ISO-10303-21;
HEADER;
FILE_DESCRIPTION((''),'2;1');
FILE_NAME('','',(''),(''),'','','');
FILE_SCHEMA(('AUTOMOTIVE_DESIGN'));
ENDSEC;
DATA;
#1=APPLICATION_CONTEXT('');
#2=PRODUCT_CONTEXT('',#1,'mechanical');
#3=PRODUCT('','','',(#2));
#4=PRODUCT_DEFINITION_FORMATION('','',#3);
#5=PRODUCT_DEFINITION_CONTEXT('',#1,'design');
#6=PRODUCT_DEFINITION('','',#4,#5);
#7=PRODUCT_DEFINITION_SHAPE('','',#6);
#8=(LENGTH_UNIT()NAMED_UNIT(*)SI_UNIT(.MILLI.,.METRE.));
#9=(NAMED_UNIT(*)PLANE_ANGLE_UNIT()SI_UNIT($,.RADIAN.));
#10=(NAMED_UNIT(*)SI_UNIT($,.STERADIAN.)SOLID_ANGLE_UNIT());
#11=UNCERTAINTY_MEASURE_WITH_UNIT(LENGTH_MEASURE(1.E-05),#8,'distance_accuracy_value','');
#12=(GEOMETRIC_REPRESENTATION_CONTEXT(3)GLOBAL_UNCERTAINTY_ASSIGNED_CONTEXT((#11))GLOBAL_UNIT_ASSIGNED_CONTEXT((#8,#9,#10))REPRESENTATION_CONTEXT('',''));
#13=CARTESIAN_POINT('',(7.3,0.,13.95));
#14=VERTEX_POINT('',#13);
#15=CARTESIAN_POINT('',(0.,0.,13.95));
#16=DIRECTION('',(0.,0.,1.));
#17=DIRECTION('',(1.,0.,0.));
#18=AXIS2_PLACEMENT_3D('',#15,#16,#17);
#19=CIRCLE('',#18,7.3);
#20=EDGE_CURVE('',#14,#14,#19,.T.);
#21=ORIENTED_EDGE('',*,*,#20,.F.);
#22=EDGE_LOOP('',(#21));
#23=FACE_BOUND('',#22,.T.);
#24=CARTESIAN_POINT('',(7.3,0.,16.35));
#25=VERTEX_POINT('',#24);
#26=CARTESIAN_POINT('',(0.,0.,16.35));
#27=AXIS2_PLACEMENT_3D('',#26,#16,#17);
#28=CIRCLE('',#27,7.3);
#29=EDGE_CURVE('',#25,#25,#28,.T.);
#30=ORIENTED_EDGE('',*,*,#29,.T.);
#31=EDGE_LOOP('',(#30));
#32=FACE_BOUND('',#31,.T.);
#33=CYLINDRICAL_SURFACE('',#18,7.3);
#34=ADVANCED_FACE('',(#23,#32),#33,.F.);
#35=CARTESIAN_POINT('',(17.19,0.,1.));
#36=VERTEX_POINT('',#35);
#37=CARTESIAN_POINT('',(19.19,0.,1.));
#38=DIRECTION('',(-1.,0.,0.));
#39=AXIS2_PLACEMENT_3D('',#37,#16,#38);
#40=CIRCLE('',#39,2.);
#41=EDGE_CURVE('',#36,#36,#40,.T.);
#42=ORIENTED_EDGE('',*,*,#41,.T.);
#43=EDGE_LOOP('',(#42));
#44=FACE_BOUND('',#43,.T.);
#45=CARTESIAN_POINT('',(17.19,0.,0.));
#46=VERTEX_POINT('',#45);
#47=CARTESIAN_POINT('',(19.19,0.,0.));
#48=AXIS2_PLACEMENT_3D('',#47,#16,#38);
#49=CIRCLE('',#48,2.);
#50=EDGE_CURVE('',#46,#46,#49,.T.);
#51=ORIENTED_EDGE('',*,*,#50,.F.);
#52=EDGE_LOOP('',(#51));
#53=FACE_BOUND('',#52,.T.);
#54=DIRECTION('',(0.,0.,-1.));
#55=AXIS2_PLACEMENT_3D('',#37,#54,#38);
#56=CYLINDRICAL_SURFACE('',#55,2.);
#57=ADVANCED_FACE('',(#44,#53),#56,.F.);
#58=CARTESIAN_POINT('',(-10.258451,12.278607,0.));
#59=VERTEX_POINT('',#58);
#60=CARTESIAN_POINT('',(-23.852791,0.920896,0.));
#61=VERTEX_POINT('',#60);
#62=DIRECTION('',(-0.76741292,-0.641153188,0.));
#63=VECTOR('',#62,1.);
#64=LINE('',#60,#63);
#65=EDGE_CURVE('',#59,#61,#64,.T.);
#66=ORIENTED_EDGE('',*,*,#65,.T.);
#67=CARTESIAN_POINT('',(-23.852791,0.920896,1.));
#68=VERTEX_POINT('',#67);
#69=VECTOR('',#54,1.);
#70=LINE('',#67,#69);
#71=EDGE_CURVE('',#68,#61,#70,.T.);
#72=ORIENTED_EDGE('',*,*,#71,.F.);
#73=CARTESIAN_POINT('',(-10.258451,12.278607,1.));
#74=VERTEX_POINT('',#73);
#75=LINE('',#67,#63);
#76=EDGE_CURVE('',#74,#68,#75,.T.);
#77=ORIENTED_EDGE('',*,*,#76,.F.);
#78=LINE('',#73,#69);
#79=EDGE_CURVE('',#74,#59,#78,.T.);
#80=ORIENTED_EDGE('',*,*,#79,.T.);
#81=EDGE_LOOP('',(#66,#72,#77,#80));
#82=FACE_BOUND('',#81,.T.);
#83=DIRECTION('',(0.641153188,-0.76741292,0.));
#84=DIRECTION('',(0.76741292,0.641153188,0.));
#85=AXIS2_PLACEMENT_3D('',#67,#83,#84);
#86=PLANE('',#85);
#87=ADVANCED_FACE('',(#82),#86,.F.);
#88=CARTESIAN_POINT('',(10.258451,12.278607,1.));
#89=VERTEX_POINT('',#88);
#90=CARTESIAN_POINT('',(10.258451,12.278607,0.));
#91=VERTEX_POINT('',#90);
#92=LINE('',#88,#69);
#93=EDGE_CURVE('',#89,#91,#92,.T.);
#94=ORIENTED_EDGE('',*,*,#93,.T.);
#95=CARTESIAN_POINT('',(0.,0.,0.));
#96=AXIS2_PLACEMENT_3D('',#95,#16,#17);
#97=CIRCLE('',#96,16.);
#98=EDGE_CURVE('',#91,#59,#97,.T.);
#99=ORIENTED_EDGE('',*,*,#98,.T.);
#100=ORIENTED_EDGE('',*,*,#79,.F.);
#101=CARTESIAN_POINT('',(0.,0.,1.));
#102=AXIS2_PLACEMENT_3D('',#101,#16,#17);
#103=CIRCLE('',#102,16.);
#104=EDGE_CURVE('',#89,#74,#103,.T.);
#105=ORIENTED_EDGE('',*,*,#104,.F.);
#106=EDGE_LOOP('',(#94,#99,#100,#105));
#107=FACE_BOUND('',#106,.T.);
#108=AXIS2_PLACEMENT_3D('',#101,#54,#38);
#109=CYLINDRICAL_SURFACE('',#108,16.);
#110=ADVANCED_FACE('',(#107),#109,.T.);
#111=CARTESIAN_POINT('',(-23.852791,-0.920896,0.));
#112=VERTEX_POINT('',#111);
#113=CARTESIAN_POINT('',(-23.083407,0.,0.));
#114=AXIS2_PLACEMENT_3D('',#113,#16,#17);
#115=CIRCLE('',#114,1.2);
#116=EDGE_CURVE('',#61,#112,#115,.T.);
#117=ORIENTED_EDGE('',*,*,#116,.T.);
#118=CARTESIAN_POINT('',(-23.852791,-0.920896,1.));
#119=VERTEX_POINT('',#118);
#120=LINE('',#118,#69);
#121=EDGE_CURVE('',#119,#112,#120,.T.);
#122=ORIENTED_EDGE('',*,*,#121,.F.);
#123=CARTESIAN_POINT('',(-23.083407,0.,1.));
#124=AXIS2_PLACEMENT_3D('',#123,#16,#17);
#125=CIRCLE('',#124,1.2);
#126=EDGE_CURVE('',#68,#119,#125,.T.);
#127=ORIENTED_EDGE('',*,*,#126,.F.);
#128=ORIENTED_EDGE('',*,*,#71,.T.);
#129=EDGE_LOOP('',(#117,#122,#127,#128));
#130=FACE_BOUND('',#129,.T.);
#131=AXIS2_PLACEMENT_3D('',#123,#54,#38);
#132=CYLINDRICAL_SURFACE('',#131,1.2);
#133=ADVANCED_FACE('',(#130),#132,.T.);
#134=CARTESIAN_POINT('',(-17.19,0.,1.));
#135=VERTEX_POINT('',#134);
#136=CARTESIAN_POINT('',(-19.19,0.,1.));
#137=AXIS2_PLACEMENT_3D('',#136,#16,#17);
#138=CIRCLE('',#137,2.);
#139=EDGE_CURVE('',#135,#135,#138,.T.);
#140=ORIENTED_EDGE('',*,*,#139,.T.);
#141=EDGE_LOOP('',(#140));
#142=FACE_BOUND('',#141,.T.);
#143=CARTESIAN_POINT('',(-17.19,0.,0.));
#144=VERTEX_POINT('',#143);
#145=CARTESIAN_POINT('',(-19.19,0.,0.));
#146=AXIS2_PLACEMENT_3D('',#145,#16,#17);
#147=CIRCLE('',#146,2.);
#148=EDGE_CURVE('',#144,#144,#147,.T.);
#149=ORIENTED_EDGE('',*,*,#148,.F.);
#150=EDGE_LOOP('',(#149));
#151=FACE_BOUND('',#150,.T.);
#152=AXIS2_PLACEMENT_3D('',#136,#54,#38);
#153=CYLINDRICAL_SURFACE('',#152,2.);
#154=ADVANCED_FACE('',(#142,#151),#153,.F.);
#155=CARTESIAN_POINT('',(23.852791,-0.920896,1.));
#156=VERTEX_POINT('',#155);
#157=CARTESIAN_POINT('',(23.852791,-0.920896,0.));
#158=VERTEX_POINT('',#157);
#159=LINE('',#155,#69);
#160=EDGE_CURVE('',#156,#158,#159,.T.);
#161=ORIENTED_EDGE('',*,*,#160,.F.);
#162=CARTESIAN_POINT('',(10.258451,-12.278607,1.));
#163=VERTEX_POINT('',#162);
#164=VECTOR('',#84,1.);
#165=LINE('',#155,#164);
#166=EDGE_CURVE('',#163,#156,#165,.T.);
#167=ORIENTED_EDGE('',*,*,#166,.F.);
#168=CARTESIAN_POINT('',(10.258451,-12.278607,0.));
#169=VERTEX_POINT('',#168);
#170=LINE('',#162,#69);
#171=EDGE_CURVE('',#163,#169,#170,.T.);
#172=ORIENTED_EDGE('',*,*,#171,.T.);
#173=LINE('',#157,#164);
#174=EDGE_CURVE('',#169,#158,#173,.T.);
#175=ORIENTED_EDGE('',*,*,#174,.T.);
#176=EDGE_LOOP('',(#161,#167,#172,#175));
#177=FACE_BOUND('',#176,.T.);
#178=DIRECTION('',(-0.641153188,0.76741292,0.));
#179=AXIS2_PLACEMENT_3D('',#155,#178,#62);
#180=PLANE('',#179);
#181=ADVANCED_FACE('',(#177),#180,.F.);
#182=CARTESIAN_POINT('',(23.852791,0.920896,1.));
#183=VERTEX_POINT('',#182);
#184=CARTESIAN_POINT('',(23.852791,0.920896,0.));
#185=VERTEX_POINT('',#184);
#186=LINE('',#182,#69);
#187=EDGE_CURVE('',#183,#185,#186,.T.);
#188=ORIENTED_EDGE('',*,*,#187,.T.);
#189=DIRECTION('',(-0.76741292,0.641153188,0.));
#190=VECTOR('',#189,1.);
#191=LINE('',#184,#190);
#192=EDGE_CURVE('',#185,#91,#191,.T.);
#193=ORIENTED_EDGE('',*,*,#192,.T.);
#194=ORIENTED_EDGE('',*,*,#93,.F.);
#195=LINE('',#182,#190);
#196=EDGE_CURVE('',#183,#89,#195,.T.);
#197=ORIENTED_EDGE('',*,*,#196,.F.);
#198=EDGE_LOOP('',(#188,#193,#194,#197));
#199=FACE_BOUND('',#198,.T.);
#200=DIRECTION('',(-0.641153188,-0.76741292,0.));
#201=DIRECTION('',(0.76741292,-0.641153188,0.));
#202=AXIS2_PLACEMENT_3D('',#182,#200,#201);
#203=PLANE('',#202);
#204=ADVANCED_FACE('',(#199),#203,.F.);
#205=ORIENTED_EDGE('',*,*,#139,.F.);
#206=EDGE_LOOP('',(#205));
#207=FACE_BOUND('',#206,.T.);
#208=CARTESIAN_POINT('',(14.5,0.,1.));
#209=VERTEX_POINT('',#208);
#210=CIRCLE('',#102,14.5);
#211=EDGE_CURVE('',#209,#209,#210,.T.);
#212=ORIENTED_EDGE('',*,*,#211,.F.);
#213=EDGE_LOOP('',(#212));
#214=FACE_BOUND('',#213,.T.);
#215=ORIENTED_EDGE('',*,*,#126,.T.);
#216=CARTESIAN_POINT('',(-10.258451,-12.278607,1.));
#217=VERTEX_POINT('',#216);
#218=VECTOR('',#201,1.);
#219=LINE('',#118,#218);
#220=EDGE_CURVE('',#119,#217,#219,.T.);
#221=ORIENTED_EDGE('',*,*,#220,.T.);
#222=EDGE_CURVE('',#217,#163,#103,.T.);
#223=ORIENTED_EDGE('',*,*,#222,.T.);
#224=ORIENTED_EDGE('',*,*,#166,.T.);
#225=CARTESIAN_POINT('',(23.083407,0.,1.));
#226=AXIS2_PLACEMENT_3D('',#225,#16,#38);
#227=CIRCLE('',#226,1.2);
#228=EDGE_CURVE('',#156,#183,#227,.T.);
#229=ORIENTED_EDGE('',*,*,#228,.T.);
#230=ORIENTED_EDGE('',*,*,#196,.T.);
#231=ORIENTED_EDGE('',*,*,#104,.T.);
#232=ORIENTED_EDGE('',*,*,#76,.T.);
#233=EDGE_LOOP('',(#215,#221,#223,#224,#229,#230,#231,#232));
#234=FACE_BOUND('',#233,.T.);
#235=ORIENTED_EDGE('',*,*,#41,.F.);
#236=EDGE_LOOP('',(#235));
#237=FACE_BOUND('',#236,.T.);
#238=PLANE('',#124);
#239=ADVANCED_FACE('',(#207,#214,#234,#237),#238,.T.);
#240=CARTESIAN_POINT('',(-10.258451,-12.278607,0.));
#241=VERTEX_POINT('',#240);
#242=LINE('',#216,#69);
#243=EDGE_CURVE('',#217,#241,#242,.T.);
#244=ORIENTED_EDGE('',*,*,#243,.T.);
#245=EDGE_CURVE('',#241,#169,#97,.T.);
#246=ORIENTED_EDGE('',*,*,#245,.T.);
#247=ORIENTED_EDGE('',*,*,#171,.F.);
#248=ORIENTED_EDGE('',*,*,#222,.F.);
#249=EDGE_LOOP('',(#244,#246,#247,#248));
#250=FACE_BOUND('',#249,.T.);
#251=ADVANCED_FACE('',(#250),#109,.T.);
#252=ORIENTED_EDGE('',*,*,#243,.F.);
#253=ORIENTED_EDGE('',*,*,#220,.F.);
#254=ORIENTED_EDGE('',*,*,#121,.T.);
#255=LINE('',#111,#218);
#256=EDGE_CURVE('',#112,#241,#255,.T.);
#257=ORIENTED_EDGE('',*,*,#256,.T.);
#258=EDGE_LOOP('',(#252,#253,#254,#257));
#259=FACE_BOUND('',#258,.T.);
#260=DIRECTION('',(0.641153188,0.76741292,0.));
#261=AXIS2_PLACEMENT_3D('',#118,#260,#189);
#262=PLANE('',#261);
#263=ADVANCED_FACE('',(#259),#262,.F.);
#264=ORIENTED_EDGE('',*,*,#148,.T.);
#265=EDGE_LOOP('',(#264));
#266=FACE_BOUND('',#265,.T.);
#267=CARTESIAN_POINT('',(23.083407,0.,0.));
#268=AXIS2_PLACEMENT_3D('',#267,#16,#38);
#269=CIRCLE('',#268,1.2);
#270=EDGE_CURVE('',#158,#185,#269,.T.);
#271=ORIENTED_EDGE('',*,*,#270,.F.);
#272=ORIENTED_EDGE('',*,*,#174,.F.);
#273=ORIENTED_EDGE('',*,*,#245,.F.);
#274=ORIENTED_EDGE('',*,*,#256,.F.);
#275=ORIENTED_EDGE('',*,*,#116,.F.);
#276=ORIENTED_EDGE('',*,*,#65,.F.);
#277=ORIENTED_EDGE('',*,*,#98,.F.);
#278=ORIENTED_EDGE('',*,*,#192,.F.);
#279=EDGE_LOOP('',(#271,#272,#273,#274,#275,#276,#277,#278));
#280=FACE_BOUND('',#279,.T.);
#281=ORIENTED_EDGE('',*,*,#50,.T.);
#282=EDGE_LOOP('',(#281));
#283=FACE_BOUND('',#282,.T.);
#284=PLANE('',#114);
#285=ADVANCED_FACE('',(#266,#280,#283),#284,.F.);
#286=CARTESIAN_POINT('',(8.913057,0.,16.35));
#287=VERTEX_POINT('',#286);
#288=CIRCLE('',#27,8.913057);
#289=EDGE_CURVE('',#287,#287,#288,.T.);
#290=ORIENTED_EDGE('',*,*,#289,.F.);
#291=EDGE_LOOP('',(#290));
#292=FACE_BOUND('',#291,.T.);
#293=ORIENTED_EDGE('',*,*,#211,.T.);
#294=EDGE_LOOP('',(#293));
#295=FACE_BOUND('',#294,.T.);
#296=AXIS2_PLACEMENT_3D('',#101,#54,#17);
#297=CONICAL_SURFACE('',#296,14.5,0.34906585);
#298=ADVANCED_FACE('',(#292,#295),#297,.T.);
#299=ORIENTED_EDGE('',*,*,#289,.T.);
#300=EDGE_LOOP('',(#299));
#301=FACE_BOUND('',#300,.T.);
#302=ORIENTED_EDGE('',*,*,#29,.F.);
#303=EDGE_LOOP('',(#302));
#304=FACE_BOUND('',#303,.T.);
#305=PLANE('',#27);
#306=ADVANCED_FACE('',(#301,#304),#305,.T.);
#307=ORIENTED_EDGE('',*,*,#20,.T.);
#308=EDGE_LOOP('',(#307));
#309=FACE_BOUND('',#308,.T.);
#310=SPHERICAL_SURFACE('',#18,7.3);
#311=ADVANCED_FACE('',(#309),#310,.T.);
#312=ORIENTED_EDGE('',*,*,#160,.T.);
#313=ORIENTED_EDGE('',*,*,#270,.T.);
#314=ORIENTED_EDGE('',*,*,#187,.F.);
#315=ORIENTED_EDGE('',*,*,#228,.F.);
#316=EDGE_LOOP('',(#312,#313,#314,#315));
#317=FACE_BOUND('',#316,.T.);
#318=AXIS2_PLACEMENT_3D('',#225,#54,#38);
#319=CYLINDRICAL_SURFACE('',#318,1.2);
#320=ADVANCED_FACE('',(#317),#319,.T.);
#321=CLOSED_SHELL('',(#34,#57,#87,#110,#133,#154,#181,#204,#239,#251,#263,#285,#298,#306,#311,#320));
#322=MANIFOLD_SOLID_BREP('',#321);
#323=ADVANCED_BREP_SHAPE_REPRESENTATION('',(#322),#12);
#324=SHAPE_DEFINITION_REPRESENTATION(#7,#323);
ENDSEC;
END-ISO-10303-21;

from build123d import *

# Parameters (mm, degrees)
SKETCH1_R           = 2
BOSS_EXTRUDE1_DEPTH = 1
SKETCH2_R           = 14.5
BOSS_EXTRUDE7_DEPTH = 15.35
BOSS_EXTRUDE7_TAPER = 20
SKETCH5_R           = 7.3
CUT_EXTRUDE1_DEPTH  = 2.4


with BuildPart() as part:
    # Sketch1 → Boss-Extrude1 (new body)
    with BuildSketch(Plane.XY):
        with BuildLine():
            Line((-23.852790838, 0.920895504), (-10.258451011, 12.278606715))
            ThreePointArc((-10.258451011, 12.278606715), (0, 16), (10.258451011, 12.278606715))
            Line((10.258451011, 12.278606715), (23.852790838, 0.920895504))
            ThreePointArc((23.852790838, 0.920895504), (24.283407012, 0), (23.852790838, -0.920895504))
            Line((23.852790838, -0.920895504), (10.258451011, -12.278606715))
            ThreePointArc((10.258451011, -12.278606715), (0, -16), (-10.258451011, -12.278606715))
            Line((-10.258451011, -12.278606715), (-23.852790838, -0.920895504))
            ThreePointArc((-23.852790838, -0.920895504), (-24.283407012, 0), (-23.852790838, 0.920895504))
        make_face()
        with Locations((-19.19, 0)):
            Circle(SKETCH1_R, mode=Mode.SUBTRACT)
        with Locations(Location((19.19, 0, 0), (0, 0, 180))):
            Circle(SKETCH1_R, mode=Mode.SUBTRACT)
    extrude(amount=BOSS_EXTRUDE1_DEPTH)

    # Sketch2 → Boss-Extrude7 (add)
    with BuildSketch(Plane.XY.offset(1)):
        Circle(SKETCH2_R)
    extrude(amount=BOSS_EXTRUDE7_DEPTH, taper=BOSS_EXTRUDE7_TAPER)

    # Sketch5 → Cut-Extrude1 (cut)
    with BuildSketch(Plane.XY.offset(16.35)):
        Circle(SKETCH5_R)
    extrude(amount=-CUT_EXTRUDE1_DEPTH, mode=Mode.SUBTRACT)

    # Sketch6 → Revolve3 (revolve)
    with BuildSketch(Plane.XY.offset(13.95)):
        with BuildLine():
            Line((0, -7.3), (0, 7.3))
            ThreePointArc((0, 7.3), (-7.3, 0), (0, -7.3))
        make_face()
    revolve(axis=Axis((0, -7.3, 13.95), (0, 1, 0)))


solid = part.part
